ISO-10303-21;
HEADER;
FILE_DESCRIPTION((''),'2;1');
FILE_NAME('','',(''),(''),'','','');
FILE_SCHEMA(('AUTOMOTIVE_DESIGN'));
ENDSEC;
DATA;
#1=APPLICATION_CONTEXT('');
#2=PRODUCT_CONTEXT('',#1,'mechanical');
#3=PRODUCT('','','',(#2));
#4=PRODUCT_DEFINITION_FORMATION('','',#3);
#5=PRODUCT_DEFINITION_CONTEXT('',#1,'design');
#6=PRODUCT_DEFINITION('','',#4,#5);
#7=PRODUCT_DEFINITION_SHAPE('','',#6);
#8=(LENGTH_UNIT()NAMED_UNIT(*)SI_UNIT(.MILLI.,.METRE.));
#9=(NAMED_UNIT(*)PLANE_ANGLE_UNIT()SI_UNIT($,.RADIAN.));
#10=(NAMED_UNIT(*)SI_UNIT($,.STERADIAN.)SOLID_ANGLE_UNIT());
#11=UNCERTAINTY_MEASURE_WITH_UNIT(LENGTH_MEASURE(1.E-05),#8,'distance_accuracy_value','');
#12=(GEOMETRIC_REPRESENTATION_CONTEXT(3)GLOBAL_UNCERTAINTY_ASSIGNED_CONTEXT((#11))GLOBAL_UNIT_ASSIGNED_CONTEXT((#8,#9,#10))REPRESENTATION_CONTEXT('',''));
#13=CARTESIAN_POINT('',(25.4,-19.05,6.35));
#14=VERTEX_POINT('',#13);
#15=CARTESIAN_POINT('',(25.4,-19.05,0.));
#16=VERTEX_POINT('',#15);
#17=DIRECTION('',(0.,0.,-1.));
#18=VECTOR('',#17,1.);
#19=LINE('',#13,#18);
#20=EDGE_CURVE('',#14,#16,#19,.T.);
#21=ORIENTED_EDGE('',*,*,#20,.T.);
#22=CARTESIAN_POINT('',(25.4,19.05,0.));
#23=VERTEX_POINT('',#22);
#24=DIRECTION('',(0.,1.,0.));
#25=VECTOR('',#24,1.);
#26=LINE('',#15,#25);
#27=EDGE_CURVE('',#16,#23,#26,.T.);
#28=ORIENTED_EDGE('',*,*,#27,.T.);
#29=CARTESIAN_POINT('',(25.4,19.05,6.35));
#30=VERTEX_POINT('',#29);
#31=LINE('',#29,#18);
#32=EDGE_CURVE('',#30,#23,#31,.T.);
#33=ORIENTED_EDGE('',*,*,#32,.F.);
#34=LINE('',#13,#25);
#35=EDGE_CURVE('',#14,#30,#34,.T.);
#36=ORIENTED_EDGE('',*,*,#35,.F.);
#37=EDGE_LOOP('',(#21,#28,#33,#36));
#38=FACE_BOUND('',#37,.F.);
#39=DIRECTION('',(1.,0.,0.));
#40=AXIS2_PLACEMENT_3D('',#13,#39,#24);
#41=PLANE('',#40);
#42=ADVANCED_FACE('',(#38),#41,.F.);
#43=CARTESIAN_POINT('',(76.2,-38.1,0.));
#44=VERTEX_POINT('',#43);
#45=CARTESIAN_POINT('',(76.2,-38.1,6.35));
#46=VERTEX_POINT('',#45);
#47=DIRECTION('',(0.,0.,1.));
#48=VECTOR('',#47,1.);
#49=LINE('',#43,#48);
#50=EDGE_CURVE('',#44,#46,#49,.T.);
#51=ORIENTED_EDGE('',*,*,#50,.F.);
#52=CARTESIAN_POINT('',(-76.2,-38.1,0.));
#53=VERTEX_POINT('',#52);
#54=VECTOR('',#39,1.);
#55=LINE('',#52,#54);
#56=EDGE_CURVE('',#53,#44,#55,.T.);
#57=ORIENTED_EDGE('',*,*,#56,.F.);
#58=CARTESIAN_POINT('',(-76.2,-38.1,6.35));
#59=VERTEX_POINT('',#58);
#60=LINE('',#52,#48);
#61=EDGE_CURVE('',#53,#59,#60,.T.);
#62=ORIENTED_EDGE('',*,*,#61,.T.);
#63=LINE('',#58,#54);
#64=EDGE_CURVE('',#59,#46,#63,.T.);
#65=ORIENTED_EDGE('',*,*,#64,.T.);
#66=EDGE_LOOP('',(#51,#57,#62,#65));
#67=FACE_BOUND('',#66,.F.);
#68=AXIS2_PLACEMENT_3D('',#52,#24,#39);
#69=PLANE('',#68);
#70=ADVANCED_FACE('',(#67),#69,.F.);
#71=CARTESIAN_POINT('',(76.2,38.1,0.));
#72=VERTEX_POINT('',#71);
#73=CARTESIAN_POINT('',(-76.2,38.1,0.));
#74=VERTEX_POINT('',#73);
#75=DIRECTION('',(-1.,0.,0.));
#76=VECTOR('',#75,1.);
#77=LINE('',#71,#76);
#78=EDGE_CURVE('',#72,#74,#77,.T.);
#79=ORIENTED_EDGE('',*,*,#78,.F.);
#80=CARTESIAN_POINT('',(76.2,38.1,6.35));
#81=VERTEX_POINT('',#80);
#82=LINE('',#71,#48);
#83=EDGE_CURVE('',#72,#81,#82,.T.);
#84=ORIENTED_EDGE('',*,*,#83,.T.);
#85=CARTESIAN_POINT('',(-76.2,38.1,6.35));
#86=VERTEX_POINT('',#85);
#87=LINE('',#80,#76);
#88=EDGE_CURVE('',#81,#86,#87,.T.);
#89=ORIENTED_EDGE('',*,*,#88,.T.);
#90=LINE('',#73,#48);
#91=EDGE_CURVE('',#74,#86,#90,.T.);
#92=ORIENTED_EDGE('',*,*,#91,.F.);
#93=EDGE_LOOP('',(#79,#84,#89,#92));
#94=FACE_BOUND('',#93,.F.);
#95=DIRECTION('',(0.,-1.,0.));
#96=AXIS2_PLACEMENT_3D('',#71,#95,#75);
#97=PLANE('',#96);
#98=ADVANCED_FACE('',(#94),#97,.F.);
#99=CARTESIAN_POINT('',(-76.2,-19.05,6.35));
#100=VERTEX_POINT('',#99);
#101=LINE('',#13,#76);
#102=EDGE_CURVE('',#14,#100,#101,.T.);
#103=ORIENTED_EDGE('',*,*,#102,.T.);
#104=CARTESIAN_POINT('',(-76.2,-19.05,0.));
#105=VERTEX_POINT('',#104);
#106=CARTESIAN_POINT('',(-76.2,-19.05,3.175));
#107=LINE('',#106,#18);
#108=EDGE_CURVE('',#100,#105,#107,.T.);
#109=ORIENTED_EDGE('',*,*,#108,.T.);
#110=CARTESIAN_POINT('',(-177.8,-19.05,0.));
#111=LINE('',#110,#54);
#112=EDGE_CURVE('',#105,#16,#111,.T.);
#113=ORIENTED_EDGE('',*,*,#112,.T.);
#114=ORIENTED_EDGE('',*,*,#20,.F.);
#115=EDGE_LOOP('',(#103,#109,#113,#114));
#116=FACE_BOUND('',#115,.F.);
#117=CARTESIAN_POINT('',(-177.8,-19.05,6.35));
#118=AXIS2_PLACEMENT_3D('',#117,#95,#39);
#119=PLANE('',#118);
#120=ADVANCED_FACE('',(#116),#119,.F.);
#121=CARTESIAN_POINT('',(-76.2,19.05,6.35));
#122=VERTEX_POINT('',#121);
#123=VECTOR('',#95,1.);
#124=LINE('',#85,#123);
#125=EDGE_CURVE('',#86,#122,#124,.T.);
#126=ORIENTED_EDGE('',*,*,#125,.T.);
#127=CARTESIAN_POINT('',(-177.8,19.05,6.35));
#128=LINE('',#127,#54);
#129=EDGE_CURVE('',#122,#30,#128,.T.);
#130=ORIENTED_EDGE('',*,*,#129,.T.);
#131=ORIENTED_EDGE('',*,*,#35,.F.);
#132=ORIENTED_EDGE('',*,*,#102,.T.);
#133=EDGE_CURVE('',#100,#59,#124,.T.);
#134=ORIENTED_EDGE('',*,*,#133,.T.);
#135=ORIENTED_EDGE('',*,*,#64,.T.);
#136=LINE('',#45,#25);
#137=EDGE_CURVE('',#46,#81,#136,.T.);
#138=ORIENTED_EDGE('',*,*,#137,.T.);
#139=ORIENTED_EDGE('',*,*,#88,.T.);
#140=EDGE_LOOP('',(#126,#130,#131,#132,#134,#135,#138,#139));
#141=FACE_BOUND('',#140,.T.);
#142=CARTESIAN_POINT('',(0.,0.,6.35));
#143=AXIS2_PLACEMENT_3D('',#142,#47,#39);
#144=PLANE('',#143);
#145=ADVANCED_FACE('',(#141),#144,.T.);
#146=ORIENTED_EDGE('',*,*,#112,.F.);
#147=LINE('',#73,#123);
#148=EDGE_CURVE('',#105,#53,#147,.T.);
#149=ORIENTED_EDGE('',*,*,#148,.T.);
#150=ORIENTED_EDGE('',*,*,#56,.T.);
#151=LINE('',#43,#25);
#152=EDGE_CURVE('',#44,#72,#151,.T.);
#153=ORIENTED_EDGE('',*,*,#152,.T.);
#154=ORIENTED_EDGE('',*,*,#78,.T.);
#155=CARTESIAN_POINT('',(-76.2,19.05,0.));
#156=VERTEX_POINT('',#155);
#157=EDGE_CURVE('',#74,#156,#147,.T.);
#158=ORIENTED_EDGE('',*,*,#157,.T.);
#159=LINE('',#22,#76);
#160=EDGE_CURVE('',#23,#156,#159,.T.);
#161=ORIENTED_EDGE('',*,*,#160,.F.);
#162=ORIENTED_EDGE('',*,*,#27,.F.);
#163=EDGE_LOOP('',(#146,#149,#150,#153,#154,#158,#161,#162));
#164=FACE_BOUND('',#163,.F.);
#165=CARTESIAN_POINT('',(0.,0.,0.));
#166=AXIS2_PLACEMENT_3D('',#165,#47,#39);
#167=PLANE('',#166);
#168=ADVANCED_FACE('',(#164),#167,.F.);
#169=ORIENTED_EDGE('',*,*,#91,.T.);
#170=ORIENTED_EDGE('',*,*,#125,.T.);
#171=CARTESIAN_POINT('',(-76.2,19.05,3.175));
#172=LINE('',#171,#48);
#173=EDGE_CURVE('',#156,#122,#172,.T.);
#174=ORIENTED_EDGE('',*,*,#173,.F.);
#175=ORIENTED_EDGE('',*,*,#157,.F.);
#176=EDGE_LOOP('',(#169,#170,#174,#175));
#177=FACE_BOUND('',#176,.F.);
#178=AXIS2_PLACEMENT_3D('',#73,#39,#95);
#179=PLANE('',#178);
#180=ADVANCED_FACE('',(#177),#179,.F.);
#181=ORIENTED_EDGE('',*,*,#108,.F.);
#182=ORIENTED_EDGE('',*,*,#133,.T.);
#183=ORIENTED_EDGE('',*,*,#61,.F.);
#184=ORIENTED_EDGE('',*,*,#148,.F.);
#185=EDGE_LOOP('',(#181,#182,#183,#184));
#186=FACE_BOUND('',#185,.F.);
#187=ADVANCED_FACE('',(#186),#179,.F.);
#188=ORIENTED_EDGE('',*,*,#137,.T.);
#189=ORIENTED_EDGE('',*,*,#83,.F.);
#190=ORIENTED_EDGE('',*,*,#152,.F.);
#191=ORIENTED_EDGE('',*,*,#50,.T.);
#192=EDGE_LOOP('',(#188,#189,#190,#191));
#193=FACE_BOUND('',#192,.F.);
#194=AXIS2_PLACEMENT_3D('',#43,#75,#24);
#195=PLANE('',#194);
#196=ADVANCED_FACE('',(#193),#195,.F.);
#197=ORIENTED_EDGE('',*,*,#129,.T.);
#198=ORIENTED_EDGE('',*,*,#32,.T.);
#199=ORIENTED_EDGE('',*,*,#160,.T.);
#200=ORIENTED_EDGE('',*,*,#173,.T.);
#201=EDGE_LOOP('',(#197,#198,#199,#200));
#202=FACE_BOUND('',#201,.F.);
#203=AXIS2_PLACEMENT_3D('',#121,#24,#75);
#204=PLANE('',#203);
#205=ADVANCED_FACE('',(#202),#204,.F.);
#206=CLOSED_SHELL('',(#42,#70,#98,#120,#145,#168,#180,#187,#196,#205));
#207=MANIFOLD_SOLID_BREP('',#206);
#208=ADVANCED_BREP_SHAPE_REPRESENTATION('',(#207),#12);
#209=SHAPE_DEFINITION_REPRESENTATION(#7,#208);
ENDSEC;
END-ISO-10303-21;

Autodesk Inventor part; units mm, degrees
ref_plane "YZ Plane" through (0, 0, 0) normal (1, 0, 0) x (0, 1, 0)
ref_plane "XZ Plane" through (0, 0, 0) normal (0, 1, 0) x (-1, 0, 0)
ref_plane "XY Plane" through (0, 0, 0) normal (0, 0, 1) x (1, 0, 0)
sketch "Sketch1" plane through (0, 0, 0) normal (0, 0, 1) x (1, 0, 0)
  line L0 (-76.2, -38.1) -> (76.2, -38.1)
  line L1 (76.2, -38.1) -> (76.2, 38.1)
  line L2 (76.2, 38.1) -> (-76.2, 38.1)
  line L3 (-76.2, 38.1) -> (-76.2, -38.1)
  line L4 (-76.2, -38.1) -> (76.2, 38.1) construction
  line L5 (76.2, -38.1) -> (-76.2, 38.1) construction
  point P0 (0, 0)
  dimension "d0" = 152.4
  dimension "d1" = 76.2
extrude "Extrusion1" add sketch "Sketch1" along normal blind 6.35
sketch "Sketch2" plane through (0, 0, 6.35) normal (0, 0, 1) x (1, 0, 0)
  line L0 (-177.8, -19.05) -> (25.4, -19.05)
  line L1 (25.4, -19.05) -> (25.4, 19.05)
  line L2 (25.4, 19.05) -> (-177.8, 19.05)
  line L3 (-177.8, 19.05) -> (-177.8, -19.05)
  line L4 (-76.2, 38.1) -> (-76.2, -38.1) projected
  line L5 (-177.8, -19.05) -> (25.4, 19.05) construction
  line L6 (25.4, -19.05) -> (-177.8, 19.05) construction
  point P0 (0, 0)
  point P1 (-76.2, 0)
  dimension "d4" = 203.2
  dimension "d5" = 38.1
extrude "Extrusion2" cut sketch "Sketch2" against normal blind 6.35
sketch "Sketch4" plane through (0, 0, 6.35) normal (0, 0, 1) x (1, 0, 0)
  point P0 (0, 0)
properties part number "Back Slide plate"
